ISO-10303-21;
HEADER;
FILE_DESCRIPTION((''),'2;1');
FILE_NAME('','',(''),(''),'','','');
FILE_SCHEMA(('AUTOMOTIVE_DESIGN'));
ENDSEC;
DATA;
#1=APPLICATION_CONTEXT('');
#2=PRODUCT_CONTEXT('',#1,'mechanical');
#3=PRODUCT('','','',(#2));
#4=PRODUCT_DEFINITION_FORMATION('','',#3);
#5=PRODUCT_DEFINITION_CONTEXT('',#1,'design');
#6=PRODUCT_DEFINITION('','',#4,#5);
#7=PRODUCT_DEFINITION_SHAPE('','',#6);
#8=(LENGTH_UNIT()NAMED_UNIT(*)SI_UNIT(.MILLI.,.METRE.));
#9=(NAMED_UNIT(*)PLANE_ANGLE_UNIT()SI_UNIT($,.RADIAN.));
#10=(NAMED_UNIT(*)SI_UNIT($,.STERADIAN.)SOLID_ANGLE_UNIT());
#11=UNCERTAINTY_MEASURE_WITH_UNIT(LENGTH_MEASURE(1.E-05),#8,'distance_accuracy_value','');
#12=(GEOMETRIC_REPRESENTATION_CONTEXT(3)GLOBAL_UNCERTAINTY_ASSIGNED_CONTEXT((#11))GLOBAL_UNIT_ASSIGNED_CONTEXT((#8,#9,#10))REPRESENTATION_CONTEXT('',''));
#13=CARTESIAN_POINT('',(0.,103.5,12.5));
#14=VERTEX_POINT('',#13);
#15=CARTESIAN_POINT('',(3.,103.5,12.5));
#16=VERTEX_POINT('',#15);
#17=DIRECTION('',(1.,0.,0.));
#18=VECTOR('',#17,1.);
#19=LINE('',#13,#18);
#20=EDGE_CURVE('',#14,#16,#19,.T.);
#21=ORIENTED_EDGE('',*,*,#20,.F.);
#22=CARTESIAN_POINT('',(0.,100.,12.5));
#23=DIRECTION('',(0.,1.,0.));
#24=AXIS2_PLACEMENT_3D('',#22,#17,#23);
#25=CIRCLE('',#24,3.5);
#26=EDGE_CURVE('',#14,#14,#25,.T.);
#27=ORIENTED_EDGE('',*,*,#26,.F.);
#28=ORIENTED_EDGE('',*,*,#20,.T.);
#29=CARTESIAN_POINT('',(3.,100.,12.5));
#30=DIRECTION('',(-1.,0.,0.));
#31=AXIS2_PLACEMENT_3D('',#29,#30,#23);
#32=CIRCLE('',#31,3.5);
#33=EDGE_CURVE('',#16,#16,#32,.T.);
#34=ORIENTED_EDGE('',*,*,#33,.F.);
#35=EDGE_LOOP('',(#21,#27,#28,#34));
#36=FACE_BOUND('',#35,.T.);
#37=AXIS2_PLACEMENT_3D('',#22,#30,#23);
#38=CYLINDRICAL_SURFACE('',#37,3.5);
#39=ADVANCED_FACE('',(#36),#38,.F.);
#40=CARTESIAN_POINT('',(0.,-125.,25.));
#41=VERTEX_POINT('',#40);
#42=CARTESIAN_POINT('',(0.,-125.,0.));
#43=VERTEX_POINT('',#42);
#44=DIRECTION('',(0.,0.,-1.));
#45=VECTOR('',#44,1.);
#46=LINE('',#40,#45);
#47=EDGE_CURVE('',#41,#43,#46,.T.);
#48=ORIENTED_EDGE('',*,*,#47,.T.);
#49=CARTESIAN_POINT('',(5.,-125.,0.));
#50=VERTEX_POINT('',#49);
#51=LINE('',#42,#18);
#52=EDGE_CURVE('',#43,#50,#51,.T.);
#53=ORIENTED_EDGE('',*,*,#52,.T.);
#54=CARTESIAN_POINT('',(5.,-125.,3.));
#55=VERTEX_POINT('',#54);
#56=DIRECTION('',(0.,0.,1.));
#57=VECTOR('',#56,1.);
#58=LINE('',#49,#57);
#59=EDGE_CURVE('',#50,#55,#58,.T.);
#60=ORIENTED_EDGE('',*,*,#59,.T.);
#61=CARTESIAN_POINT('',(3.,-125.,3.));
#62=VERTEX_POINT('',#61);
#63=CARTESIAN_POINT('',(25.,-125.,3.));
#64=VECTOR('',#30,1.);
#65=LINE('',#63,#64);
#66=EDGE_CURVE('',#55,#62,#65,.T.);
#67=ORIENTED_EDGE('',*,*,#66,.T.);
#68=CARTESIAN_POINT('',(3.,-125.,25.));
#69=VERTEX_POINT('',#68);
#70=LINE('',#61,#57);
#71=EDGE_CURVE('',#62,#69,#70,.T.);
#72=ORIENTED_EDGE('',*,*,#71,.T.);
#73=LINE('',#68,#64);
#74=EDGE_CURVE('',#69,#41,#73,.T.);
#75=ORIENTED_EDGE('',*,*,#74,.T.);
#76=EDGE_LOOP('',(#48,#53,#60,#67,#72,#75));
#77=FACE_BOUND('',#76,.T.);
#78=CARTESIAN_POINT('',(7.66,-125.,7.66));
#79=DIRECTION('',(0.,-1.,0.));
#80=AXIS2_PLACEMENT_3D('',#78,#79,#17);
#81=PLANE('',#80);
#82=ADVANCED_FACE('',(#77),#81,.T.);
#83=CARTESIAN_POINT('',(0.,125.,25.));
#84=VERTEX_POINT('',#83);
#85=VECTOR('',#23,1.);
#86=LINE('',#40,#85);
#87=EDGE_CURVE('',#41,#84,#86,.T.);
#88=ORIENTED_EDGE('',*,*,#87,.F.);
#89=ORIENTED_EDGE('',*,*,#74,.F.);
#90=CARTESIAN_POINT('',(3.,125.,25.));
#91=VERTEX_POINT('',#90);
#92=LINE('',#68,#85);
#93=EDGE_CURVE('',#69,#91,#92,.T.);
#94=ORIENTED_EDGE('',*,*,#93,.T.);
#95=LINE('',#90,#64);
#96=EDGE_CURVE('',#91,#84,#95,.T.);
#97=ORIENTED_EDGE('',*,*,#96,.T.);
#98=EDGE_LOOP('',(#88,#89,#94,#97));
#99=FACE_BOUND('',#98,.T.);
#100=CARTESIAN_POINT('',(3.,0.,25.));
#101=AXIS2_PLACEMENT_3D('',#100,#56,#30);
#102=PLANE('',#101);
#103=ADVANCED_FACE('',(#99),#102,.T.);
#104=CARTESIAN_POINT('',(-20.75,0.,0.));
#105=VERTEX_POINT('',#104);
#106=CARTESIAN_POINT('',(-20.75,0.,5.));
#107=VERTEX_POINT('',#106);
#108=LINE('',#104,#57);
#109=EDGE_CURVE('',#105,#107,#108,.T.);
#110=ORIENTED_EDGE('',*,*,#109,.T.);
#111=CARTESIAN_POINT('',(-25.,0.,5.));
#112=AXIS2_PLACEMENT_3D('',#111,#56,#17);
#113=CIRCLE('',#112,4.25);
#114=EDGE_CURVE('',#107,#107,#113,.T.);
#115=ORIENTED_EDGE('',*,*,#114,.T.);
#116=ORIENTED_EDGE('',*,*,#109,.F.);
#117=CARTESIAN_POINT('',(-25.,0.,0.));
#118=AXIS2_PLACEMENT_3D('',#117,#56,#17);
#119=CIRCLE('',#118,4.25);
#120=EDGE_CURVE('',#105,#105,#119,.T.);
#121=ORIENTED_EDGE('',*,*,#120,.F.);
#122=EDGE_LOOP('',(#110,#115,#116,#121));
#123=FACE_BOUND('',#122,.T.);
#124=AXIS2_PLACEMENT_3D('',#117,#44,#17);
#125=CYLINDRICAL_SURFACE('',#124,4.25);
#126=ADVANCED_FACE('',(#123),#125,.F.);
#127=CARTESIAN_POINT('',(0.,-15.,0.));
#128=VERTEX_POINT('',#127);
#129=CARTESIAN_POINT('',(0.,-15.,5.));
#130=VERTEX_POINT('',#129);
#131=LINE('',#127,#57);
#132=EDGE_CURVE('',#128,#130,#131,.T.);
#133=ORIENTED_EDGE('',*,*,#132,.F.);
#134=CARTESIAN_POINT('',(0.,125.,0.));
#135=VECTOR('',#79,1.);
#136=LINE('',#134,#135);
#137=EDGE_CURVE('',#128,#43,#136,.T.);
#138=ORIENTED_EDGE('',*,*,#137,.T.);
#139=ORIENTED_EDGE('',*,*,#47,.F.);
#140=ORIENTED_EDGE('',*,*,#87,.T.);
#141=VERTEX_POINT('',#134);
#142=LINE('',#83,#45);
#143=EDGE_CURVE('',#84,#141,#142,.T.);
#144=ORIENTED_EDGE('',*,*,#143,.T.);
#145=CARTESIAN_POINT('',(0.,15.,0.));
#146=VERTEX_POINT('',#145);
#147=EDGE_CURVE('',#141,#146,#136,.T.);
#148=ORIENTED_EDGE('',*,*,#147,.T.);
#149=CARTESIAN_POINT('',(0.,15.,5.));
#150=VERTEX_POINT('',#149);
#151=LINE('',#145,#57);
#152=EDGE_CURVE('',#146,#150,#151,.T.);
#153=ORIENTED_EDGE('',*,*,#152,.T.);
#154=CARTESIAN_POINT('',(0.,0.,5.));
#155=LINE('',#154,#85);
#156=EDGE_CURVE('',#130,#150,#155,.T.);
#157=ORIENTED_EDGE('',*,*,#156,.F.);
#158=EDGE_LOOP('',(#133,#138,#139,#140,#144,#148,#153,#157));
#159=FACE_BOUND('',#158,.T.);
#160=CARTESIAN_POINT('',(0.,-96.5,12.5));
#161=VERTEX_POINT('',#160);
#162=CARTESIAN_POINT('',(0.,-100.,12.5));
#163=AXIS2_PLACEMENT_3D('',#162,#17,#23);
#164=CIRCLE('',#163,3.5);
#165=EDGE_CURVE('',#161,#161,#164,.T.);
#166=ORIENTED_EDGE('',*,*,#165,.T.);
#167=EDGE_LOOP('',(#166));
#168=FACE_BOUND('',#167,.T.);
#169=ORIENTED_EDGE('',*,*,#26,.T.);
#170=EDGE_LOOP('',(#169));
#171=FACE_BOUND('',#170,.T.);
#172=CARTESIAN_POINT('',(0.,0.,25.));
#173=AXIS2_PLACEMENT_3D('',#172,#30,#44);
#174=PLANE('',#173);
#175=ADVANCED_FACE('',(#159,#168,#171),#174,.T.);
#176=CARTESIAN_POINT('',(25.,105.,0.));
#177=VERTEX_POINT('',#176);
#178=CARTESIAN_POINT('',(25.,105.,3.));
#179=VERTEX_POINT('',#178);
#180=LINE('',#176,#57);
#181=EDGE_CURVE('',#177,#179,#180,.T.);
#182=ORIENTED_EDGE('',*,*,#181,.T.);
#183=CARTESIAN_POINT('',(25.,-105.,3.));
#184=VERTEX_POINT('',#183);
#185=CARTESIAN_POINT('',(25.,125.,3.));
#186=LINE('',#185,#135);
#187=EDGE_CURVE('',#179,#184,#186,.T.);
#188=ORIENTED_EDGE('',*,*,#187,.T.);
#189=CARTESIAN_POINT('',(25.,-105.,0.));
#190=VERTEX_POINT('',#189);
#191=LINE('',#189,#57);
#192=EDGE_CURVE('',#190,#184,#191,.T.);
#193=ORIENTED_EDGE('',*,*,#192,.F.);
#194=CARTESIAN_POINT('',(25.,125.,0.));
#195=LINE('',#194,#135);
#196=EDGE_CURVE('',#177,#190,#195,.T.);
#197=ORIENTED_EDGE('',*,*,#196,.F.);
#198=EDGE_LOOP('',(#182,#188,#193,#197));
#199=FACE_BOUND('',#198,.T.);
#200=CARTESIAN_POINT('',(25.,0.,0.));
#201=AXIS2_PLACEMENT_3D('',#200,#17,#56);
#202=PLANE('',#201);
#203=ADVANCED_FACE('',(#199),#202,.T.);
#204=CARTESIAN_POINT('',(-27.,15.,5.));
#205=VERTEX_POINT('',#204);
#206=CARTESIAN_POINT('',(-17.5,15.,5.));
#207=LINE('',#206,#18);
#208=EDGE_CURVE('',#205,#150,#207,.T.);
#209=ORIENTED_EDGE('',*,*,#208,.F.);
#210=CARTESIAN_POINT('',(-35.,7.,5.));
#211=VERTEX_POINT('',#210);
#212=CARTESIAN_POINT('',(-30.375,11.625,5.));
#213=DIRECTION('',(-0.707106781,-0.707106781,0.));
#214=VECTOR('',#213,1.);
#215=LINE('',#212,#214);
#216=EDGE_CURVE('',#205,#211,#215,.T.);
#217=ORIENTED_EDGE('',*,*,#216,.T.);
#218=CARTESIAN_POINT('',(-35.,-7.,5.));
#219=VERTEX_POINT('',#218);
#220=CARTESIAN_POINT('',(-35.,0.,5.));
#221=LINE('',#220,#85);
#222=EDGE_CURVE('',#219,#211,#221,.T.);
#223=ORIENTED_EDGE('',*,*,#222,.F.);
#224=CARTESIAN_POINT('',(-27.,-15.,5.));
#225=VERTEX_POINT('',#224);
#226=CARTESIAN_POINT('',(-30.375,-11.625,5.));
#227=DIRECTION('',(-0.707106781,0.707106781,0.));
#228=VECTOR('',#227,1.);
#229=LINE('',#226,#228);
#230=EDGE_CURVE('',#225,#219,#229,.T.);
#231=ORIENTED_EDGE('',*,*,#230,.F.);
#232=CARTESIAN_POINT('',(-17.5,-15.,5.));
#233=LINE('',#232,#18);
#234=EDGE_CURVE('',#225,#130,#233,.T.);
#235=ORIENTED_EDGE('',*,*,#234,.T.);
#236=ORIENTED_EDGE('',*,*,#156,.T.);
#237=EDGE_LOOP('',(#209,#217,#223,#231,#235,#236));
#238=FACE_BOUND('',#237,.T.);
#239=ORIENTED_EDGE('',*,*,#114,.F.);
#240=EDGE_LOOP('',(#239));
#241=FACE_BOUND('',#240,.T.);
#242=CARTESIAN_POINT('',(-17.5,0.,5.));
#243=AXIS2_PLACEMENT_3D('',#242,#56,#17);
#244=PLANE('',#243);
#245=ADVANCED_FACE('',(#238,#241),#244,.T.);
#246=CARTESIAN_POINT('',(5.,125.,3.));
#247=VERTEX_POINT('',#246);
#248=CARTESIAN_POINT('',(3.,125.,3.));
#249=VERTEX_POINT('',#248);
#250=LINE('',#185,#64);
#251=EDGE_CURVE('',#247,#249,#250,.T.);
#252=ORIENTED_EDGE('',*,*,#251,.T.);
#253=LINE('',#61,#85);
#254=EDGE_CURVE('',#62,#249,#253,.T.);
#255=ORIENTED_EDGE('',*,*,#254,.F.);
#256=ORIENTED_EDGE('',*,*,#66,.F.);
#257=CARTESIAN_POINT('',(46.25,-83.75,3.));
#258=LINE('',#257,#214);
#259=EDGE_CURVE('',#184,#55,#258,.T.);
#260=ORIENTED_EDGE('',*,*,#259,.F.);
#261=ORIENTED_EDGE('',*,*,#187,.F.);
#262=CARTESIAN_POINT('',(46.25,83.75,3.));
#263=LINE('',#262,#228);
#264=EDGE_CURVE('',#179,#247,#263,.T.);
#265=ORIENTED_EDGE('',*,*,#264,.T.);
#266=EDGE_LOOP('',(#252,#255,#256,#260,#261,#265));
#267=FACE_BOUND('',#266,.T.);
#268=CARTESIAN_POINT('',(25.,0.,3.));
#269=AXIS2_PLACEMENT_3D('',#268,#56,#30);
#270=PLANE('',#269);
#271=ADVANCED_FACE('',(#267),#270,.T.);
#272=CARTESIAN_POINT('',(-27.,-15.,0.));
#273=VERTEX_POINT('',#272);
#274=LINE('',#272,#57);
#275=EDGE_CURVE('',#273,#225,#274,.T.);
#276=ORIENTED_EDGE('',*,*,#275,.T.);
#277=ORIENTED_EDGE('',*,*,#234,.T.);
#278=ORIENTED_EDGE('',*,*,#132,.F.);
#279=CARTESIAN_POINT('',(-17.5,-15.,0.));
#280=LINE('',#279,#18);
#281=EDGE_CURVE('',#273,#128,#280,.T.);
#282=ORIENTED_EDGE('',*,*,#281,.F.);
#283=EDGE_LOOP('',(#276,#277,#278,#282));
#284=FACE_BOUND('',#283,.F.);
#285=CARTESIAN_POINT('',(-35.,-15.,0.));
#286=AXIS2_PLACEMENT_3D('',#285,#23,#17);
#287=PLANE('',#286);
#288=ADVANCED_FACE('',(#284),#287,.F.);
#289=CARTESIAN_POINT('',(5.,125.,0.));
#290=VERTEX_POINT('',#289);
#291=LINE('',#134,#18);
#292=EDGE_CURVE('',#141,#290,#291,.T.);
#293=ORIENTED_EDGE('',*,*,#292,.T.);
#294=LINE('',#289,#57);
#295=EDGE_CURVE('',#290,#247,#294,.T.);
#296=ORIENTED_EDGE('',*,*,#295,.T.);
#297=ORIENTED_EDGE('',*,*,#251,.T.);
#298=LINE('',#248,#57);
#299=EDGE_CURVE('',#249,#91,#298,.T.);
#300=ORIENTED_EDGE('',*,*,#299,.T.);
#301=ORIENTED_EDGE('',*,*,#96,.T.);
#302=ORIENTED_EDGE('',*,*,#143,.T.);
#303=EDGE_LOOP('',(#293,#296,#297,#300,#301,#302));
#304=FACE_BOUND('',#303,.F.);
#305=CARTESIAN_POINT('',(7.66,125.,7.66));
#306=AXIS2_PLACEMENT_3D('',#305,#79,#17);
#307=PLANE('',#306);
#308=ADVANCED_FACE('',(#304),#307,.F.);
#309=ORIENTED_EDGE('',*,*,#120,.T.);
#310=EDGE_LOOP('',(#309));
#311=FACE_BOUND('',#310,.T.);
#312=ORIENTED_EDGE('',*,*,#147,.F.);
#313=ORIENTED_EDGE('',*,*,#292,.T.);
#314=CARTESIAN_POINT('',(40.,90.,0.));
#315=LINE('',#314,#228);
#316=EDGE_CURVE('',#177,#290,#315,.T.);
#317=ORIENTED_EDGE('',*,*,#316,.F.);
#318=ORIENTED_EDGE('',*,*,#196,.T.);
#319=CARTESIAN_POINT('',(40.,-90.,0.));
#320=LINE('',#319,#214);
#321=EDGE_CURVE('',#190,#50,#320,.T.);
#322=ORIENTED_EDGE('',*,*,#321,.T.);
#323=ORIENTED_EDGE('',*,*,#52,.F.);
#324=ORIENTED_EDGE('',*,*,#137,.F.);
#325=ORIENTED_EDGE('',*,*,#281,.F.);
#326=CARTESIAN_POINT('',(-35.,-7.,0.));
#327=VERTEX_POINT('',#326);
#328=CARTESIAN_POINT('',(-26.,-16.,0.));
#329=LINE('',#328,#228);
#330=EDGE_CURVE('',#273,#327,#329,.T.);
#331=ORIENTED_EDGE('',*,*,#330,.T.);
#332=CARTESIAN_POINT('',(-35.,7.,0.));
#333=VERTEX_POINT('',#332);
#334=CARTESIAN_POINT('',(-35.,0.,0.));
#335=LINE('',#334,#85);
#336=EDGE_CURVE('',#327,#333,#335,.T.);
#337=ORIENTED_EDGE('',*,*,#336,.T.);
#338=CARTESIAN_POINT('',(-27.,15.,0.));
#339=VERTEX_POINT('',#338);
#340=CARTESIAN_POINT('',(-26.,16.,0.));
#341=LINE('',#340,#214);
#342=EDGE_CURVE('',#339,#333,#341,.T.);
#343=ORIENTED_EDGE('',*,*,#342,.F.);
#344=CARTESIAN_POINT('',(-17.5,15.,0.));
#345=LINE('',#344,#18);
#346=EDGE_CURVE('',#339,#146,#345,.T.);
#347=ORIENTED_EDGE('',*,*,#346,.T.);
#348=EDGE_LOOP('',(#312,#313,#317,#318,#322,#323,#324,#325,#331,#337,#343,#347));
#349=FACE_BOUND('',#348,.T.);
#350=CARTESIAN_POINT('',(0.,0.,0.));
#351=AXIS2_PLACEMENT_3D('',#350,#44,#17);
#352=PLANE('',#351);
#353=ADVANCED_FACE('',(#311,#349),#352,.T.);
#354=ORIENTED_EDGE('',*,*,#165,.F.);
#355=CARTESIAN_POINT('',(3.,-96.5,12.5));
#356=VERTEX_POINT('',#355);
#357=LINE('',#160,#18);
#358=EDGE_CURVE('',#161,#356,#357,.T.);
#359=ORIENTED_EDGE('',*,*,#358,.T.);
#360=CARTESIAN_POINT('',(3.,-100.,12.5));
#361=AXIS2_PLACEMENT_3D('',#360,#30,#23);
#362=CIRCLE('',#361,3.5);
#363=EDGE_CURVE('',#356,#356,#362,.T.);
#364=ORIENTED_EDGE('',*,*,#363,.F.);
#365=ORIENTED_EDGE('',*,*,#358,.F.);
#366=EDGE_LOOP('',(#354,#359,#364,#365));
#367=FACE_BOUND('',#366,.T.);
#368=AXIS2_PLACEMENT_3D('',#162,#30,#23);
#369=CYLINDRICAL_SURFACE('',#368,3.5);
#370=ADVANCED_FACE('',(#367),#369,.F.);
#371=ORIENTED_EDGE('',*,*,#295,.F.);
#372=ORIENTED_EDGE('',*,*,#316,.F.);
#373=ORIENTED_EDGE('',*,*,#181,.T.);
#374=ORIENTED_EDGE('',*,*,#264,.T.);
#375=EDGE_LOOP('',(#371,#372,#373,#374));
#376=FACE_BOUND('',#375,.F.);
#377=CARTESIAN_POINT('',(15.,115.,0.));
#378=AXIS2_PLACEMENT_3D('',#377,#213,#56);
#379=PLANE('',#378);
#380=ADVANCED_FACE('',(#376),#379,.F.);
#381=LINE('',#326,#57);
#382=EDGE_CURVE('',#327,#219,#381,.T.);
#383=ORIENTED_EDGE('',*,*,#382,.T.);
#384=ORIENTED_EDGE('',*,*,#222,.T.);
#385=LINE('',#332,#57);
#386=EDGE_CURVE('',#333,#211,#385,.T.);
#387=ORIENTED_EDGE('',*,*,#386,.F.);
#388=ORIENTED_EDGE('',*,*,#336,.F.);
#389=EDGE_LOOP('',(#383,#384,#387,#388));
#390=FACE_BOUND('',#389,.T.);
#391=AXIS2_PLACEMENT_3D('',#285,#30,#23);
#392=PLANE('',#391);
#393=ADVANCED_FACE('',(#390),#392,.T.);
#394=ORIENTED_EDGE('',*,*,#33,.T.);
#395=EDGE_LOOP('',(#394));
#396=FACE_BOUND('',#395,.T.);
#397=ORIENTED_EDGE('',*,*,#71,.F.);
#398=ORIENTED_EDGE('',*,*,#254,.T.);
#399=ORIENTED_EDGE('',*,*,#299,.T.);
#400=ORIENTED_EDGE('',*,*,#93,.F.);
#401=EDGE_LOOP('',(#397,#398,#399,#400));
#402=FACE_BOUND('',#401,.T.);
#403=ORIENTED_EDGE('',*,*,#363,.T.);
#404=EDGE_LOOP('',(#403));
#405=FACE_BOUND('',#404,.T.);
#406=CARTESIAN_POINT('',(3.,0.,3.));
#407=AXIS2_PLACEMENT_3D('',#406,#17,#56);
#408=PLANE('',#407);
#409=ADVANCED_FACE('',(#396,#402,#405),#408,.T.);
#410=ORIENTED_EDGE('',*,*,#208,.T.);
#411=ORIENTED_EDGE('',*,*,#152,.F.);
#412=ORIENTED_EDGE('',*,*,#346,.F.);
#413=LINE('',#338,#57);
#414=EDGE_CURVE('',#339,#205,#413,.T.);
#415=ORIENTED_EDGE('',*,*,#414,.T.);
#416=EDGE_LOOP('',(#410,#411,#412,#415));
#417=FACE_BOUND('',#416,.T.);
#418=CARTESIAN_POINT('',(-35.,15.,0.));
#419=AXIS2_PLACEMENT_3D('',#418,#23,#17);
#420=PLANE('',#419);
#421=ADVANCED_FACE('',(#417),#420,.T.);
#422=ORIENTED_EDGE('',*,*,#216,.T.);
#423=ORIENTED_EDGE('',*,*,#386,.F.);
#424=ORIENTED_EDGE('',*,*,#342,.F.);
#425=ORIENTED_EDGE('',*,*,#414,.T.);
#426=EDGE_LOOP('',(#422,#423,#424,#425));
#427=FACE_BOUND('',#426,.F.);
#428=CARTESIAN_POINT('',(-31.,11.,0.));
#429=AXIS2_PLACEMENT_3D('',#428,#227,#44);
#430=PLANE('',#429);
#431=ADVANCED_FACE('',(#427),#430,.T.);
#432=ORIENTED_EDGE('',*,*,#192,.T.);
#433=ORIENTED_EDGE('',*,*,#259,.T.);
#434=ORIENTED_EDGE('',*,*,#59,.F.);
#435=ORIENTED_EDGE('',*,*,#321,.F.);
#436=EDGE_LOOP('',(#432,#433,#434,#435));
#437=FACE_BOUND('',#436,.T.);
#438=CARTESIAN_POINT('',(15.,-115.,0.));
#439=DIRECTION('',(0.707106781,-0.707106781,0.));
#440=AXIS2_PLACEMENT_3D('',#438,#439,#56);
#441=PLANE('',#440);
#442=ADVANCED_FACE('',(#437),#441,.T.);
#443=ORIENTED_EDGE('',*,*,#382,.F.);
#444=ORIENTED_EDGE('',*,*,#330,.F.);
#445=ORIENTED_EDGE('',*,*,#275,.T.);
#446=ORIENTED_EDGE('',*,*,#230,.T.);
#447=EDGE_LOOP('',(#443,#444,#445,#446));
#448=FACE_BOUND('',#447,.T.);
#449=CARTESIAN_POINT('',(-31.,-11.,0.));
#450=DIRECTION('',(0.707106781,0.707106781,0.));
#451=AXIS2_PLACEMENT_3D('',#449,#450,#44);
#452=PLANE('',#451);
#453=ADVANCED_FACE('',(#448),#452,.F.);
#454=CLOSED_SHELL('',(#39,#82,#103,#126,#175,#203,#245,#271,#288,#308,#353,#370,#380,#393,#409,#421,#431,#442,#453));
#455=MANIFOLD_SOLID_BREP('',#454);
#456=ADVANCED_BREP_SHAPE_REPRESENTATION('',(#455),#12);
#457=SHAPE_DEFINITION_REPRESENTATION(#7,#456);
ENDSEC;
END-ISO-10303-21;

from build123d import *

# Parameters (mm, degrees)
F1_DEPTH = 125
F2_SIZE  = 20
F3_W     = 35
F3_H     = 30
F3_R     = 4.25
F4_DEPTH = 5
F5_SIZE  = 8
F6_R     = 3.5
F7_DEPTH = 25


with BuildPart() as f1:
    # F0 (on Front) → F1 (new body, symmetric)
    with BuildSketch(Plane.XZ):
        Polygon((0, 25), (0, 0), (25, 0), (25, 3), (3, 3), (3, 25), align=None)
    extrude(amount=F1_DEPTH, both=True)

    # F2
    f2_edges = [f1.edges().sort_by_distance(p)[0] for p in [
        (25, -125, 1.5),
        (25, 125, 1.5),
    ]]
    chamfer(f2_edges, length=F2_SIZE)

    # F3 (on Top) → F4 (join)
    with BuildSketch(Plane.XY):
        with Locations((-17.5, 0)):
            Rectangle(F3_W, F3_H)
        with Locations((-25, 0)):
            Circle(F3_R, mode=Mode.SUBTRACT)
    extrude(amount=F4_DEPTH)

    # F5
    f5_edges = [f1.edges().sort_by_distance(p)[0] for p in [
        (-35, -15, 2.5),
        (-35, 15, 2.5),
    ]]
    chamfer(f5_edges, length=F5_SIZE)

    # F6 (on Right) → F7 (cut)
    with BuildSketch(Plane.YZ):
        with Locations((100, 12.5)):
            Circle(F6_R)
        with Locations((-100, 12.5)):
            Circle(F6_R)
    extrude(amount=F7_DEPTH, mode=Mode.SUBTRACT)


solid = f1.part
